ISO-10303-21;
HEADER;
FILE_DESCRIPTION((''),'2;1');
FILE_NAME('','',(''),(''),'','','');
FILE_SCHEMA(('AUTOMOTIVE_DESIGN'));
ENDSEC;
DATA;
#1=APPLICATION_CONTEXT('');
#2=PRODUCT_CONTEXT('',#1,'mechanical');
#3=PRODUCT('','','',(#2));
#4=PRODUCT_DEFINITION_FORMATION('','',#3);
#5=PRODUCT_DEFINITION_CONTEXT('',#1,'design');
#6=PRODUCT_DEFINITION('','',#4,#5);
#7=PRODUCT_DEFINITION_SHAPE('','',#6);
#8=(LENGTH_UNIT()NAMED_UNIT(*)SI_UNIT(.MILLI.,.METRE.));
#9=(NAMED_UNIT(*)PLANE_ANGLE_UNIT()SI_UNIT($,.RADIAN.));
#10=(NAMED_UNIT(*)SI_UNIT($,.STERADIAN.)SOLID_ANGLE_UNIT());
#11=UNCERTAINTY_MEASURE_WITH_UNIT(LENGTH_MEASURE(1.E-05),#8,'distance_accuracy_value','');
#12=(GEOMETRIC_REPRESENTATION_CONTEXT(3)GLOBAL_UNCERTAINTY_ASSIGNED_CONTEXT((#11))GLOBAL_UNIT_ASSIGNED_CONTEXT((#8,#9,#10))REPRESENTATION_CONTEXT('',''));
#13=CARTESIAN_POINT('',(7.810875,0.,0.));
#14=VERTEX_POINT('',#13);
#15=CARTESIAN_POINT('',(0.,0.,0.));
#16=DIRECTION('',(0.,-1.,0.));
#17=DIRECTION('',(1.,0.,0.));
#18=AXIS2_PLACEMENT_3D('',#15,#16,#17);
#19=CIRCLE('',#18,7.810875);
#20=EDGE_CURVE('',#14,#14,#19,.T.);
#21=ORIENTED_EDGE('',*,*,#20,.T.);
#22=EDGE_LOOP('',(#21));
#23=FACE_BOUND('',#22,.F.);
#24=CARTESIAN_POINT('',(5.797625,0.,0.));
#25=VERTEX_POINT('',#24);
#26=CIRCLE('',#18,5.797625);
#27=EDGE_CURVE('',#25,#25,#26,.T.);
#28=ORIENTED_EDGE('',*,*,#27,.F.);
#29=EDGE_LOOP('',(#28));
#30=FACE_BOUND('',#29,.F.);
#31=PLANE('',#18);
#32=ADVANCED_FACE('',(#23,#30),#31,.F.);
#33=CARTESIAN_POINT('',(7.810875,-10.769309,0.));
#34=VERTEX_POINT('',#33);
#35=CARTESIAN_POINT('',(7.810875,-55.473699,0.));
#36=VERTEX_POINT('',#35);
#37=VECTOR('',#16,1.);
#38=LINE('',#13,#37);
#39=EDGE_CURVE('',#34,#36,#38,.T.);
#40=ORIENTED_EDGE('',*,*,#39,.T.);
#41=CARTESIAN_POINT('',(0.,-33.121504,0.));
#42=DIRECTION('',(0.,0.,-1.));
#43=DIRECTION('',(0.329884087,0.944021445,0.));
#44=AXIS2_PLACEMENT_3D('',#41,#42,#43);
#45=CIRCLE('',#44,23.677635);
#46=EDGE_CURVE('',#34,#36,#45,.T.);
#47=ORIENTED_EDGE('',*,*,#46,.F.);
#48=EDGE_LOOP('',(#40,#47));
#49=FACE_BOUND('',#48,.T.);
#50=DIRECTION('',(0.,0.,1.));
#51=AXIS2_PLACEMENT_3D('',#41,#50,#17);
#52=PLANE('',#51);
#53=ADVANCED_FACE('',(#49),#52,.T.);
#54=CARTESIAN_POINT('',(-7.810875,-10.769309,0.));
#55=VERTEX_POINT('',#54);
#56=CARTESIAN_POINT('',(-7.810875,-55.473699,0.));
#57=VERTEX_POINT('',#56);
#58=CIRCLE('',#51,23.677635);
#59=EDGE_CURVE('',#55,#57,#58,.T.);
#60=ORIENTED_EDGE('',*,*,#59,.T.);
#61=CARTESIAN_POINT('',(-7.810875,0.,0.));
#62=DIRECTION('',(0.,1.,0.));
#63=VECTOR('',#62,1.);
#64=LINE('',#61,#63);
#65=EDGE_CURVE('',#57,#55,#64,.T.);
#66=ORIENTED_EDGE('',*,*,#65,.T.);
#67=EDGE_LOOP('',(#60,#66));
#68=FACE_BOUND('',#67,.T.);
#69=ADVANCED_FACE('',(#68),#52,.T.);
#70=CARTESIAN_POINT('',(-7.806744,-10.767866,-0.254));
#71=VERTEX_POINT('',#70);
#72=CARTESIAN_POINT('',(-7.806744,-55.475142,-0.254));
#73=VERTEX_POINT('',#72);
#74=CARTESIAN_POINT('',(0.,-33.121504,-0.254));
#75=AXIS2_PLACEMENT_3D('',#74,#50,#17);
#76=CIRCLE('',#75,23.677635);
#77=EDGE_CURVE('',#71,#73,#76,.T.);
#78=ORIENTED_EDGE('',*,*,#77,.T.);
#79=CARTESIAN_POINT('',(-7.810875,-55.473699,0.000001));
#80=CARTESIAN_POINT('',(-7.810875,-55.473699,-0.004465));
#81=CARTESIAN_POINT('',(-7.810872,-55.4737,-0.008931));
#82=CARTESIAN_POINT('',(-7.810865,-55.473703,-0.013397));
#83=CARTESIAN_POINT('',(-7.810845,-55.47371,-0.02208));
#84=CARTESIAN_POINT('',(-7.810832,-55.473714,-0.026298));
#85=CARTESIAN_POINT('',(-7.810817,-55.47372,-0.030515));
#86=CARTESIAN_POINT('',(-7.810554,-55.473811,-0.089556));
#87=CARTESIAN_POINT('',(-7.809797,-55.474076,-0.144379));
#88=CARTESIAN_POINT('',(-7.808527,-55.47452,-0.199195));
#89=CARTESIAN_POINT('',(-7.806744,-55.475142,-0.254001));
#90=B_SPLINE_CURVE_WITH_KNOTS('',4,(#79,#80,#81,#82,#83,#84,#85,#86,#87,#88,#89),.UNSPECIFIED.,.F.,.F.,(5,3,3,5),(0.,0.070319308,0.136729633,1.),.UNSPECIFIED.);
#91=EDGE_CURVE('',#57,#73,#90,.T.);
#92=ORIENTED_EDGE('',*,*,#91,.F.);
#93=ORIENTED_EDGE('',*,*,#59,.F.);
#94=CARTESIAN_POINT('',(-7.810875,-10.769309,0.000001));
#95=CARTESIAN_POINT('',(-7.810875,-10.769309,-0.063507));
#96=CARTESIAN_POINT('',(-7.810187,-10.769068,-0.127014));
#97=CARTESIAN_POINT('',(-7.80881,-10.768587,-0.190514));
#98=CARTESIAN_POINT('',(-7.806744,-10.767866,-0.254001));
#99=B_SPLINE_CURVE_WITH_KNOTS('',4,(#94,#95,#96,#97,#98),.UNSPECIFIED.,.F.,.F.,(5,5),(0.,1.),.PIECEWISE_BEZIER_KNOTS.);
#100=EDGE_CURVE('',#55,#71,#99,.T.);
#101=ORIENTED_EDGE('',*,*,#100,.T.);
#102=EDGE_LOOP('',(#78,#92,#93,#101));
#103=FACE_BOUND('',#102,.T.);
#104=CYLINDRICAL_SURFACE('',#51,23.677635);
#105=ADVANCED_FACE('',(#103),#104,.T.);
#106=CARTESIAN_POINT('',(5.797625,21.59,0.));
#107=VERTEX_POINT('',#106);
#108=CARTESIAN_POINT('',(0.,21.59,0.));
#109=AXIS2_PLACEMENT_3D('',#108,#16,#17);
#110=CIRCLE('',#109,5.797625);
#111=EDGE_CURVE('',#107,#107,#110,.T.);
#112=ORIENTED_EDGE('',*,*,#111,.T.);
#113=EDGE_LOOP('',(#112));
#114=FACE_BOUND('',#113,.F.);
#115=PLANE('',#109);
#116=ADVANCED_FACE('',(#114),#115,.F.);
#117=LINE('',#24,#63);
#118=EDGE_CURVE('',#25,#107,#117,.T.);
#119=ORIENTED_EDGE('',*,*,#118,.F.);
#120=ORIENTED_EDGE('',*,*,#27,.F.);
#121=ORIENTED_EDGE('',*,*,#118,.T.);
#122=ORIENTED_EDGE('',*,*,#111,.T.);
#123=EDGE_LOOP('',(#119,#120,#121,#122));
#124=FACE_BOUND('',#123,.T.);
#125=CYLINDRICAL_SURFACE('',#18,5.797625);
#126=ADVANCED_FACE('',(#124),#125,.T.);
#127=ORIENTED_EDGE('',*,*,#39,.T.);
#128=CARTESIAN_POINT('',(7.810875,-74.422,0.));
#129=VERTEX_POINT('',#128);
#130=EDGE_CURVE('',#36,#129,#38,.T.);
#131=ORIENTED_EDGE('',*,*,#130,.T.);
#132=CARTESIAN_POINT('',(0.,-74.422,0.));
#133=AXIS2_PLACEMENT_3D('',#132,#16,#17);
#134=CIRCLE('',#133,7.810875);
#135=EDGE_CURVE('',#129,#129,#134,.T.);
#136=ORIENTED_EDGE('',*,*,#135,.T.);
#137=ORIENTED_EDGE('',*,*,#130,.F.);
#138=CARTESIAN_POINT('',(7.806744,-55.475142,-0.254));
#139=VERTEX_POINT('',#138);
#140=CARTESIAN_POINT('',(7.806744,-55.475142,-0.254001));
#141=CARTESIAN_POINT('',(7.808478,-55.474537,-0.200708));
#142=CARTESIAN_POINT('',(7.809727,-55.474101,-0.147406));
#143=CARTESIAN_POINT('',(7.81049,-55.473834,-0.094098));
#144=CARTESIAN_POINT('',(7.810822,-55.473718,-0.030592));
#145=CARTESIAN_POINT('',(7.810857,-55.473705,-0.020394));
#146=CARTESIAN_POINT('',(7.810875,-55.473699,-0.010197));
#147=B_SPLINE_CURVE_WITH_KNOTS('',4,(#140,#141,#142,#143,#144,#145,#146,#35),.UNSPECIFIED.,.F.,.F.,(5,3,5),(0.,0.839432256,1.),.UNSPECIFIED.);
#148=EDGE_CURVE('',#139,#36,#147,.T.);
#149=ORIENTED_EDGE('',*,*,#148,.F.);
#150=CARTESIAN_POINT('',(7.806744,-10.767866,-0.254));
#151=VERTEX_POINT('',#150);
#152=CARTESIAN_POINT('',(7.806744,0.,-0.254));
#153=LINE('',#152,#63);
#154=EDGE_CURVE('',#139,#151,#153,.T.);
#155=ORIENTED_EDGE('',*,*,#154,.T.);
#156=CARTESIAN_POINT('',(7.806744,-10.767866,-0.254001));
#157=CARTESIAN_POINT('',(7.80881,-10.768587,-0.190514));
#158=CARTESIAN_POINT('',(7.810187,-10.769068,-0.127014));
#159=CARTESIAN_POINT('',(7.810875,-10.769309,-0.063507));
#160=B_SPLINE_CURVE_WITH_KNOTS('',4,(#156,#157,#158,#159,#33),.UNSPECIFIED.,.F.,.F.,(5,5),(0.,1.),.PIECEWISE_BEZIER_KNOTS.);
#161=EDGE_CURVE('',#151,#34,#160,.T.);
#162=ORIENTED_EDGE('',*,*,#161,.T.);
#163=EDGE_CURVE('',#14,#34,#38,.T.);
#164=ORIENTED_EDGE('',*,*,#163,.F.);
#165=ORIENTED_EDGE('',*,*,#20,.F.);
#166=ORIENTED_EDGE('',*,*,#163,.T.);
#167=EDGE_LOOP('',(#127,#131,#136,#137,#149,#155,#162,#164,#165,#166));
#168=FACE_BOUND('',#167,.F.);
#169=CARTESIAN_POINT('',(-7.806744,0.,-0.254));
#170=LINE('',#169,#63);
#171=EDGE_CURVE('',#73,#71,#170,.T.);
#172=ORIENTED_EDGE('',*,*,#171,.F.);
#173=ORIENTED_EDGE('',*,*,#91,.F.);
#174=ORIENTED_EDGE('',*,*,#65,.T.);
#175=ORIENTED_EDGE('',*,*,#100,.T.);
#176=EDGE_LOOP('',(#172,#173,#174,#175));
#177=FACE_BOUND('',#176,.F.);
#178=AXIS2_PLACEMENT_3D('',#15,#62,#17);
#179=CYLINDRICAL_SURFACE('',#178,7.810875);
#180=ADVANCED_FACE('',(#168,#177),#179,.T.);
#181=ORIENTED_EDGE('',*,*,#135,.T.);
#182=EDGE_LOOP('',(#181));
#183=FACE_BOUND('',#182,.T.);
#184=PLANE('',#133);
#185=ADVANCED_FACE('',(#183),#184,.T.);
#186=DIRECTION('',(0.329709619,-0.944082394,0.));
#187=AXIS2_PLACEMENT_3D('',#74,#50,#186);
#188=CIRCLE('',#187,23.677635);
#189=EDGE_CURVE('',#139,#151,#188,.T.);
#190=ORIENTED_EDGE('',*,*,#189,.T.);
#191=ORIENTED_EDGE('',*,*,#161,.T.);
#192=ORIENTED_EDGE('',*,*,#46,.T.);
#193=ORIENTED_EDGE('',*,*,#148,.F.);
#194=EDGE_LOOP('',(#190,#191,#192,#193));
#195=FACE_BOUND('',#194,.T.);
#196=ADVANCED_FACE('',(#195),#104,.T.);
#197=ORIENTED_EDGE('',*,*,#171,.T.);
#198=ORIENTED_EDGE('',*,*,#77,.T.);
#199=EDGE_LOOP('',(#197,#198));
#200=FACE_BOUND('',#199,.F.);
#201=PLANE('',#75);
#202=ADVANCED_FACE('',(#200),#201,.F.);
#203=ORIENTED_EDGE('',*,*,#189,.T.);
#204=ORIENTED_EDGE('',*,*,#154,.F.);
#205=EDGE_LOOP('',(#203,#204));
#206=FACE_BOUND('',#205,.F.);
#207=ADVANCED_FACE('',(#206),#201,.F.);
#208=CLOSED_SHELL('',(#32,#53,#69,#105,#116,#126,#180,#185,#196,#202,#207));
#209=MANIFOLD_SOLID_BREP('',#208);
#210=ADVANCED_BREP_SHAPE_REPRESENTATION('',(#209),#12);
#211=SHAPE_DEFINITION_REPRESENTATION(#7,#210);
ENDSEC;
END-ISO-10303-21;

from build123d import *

# Parameters (mm, degrees)
F0_R     = 7.810875
F1_DEPTH = 74.422
F2_R     = 5.797625
F3_DEPTH = 21.59
F4_R     = 23.677635
F5_DEPTH = 0.254


with BuildPart() as f1:
    # F0 (on Front) → F1 (new body)
    with BuildSketch(Plane.XZ):
        Circle(F0_R)
    extrude(amount=F1_DEPTH)

    # F2 (on Front) → F3 (join)
    with BuildSketch(Plane.XZ):
        Circle(F2_R)
    extrude(amount=-F3_DEPTH)

    # F4 (on Top) → F5 (join)
    with BuildSketch(Plane.XY):
        with Locations((0, -33.121504)):
            Circle(F4_R)
    extrude(amount=-F5_DEPTH)


solid = f1.part
